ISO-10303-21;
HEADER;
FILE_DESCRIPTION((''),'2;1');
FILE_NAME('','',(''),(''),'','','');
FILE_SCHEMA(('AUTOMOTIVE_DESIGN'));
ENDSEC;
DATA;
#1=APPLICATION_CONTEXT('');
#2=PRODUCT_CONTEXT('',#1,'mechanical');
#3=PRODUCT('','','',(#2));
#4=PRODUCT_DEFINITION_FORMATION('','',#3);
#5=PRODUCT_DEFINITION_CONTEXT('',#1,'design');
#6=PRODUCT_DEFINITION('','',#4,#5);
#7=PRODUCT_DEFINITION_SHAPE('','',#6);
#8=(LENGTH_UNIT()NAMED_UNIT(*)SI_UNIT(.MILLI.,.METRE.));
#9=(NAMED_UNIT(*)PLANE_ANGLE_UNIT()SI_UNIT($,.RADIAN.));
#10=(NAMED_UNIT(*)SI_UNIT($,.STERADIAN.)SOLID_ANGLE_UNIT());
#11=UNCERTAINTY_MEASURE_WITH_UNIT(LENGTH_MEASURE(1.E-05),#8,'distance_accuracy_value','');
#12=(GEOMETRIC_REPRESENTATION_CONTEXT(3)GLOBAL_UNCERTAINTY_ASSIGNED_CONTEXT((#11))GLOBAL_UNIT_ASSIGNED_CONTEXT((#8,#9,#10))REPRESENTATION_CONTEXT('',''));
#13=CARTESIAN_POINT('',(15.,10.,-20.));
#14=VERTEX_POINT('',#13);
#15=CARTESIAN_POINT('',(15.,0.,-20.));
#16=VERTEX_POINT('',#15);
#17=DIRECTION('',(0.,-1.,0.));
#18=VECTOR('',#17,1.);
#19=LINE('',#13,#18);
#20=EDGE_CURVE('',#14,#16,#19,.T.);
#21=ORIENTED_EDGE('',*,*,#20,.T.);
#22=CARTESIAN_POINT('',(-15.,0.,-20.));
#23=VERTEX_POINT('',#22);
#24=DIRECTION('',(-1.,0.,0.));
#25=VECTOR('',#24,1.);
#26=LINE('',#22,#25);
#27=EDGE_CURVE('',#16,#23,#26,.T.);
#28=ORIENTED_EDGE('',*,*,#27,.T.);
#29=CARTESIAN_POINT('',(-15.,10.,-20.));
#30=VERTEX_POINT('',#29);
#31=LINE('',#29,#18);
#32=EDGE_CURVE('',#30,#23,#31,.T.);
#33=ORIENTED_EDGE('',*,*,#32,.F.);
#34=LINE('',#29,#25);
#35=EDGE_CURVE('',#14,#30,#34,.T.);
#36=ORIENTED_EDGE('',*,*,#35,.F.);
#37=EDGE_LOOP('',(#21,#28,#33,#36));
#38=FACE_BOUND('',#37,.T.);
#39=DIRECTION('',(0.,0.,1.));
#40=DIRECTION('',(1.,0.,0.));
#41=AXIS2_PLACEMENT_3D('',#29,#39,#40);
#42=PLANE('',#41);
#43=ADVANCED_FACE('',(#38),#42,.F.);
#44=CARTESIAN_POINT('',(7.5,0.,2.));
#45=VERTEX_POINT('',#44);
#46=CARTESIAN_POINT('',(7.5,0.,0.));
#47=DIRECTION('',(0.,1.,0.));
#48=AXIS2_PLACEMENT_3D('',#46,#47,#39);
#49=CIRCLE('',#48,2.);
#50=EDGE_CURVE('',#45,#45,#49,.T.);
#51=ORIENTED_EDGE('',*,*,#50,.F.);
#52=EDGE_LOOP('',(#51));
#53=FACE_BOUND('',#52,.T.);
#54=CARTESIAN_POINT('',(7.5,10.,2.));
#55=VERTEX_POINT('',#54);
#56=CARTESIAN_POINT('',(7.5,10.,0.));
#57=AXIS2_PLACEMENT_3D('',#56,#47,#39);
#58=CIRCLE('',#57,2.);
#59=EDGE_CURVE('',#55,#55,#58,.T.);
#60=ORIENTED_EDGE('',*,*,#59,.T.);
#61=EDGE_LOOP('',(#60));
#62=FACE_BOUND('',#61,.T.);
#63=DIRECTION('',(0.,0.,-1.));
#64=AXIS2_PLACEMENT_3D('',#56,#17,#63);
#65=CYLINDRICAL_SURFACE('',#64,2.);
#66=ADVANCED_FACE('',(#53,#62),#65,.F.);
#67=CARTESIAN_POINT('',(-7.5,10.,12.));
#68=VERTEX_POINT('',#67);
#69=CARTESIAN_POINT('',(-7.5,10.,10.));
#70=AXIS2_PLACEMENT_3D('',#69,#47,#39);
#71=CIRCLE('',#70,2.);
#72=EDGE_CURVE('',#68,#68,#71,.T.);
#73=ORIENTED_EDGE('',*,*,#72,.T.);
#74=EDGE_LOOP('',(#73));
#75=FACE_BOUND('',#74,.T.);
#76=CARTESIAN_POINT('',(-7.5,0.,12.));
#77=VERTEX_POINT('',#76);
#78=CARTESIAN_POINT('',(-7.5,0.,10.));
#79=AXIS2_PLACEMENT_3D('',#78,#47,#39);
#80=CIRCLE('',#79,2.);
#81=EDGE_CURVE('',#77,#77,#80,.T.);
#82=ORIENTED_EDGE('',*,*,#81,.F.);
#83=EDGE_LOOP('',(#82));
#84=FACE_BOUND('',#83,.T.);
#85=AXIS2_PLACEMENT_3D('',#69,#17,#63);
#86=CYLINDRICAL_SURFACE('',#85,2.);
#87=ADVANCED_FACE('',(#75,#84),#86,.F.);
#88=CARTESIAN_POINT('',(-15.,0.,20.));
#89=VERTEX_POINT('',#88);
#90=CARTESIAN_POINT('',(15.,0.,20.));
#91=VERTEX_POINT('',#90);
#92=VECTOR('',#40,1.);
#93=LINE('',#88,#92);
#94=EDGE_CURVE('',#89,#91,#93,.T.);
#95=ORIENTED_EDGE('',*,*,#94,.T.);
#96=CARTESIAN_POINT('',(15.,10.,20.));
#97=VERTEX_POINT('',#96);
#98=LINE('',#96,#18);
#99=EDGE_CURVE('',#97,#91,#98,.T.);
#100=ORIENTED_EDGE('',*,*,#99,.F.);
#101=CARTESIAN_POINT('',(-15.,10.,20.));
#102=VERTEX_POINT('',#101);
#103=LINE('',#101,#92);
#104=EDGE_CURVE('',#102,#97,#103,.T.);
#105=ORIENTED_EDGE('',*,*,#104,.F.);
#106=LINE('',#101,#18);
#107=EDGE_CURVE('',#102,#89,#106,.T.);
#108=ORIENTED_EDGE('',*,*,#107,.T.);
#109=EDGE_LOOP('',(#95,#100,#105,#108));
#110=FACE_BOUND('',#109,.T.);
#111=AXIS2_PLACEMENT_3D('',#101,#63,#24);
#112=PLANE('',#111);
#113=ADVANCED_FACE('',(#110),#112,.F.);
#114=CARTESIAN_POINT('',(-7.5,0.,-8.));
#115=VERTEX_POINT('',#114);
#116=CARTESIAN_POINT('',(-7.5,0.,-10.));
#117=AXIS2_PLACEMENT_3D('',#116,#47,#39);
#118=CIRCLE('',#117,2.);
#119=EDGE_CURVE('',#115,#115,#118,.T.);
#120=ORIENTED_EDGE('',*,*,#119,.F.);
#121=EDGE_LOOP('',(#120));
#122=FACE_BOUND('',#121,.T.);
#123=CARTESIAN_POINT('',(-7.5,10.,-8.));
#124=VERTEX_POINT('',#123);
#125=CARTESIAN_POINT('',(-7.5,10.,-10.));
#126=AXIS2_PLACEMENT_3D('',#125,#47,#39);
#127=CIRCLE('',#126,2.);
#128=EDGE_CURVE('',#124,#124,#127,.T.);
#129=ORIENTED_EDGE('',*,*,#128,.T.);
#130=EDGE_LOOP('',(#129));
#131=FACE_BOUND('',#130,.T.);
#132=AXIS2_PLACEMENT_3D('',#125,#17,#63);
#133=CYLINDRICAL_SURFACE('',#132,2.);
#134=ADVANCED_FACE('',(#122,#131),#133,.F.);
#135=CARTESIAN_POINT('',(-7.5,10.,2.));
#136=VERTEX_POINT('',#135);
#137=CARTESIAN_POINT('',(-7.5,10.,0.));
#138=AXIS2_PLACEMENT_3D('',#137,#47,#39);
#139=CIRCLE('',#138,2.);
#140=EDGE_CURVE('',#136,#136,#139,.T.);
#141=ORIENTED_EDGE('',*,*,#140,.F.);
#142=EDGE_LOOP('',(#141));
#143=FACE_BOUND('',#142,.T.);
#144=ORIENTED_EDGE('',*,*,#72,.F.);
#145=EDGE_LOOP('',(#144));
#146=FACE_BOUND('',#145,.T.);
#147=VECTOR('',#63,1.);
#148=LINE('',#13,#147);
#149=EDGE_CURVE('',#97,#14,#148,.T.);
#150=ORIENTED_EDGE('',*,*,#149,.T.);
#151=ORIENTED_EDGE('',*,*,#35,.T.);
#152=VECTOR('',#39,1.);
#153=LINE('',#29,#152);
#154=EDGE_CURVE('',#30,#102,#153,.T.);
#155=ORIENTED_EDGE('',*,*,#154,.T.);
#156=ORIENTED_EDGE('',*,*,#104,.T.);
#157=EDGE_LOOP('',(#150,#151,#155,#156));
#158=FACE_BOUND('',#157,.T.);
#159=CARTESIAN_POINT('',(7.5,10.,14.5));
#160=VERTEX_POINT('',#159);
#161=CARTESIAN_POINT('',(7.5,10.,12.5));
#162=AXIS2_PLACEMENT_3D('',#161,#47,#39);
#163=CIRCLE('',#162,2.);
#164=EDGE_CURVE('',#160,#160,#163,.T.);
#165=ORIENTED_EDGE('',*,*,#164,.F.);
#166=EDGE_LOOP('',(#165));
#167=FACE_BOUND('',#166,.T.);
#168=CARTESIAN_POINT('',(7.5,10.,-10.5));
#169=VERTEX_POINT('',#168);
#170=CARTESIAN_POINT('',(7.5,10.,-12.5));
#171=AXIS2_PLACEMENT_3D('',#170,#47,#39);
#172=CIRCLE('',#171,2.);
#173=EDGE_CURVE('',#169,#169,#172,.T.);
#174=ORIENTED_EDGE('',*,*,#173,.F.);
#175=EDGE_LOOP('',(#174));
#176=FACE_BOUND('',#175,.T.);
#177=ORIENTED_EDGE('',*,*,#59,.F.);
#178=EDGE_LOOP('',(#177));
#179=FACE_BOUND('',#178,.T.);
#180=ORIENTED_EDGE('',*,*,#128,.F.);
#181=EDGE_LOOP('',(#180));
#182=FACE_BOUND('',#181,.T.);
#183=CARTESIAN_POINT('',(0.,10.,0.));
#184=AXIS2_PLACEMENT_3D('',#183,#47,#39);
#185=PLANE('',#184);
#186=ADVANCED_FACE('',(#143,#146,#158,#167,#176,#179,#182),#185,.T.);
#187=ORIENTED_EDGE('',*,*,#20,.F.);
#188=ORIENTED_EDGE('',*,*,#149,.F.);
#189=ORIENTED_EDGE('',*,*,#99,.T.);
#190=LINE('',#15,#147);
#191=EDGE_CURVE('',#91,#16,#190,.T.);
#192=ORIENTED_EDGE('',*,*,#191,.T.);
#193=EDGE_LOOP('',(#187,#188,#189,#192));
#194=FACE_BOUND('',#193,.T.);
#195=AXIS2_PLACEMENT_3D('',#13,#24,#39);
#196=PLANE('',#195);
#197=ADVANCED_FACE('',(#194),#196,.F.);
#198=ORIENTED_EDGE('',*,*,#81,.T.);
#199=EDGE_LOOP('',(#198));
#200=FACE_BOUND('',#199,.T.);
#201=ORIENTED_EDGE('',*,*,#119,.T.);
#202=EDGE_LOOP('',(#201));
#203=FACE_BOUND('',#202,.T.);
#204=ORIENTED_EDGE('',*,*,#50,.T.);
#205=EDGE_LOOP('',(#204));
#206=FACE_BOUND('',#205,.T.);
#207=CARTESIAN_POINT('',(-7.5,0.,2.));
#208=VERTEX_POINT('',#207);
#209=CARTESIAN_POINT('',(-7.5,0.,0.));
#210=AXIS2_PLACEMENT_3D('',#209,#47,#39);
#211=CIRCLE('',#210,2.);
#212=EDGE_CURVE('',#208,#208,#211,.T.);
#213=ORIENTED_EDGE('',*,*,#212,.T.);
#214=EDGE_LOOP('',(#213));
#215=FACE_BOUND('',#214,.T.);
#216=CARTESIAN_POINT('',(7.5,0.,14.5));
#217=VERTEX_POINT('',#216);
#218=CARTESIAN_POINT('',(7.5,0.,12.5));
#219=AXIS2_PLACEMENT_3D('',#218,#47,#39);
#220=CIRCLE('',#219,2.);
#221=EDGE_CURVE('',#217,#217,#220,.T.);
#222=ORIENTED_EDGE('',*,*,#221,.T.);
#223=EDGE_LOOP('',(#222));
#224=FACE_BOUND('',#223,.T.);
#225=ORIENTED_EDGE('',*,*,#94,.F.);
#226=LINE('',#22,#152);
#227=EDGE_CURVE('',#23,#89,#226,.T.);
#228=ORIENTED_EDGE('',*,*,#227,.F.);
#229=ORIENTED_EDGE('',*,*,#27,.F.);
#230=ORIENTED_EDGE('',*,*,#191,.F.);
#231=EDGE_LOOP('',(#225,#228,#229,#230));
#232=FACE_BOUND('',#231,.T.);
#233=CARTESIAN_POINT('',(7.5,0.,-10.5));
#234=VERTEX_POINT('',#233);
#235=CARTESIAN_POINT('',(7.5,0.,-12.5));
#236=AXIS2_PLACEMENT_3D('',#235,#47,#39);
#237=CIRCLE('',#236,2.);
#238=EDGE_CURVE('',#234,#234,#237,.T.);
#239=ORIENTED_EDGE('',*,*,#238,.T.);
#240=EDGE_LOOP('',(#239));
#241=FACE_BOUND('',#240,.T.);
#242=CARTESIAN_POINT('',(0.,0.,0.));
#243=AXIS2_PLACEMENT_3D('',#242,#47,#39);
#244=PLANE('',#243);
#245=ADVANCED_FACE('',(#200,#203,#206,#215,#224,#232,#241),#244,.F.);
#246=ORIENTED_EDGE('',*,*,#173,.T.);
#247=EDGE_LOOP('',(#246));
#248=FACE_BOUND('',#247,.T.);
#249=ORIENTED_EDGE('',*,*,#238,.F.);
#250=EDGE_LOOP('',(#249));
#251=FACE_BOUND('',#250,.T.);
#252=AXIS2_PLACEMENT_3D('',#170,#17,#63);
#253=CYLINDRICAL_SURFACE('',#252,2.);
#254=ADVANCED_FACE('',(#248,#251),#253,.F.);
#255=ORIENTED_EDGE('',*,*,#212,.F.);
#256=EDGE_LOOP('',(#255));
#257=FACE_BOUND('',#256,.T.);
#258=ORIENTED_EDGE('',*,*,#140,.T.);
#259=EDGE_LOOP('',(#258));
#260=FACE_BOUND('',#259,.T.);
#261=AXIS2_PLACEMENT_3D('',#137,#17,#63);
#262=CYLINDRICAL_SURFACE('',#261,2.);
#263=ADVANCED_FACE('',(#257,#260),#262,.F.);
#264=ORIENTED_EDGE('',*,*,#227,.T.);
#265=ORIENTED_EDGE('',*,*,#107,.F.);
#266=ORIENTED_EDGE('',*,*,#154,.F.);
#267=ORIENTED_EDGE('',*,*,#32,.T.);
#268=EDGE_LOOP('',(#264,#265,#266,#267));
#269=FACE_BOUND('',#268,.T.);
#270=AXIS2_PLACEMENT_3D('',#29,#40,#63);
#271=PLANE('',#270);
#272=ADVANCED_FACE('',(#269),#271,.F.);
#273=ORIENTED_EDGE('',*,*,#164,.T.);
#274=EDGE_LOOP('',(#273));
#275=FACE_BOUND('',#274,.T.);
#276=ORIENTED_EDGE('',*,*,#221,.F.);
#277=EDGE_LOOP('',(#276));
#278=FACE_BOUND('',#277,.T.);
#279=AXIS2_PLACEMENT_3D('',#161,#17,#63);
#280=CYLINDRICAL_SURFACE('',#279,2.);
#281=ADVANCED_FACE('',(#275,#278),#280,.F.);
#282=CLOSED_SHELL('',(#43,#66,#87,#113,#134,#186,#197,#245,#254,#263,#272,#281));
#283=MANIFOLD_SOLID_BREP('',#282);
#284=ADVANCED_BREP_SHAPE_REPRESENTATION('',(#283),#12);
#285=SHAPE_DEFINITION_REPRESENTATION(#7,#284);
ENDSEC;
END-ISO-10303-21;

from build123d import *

# Parameters (mm, degrees)
SKETCH1_W           = 30
SKETCH1_H           = 40
SKETCH1_R           = 2
BOSS_EXTRUDE1_DEPTH = 10


with BuildPart() as part:
    # Sketch1 → Boss-Extrude1 (new body)
    with BuildSketch(Plane(origin=(0, 0, 0), x_dir=(1, 0, 0), z_dir=(0, 1, 0))):
        Rectangle(SKETCH1_W, SKETCH1_H)
        with Locations(Location((7.5, 12.5, 0), (0, 0, 270))):
            Circle(SKETCH1_R, mode=Mode.SUBTRACT)
        with Locations(Location((7.5, -12.5, 0), (0, 0, 270))):
            Circle(SKETCH1_R, mode=Mode.SUBTRACT)
        with Locations(Location((-7.5, -10, 0), (0, 0, 270))):
            Circle(SKETCH1_R, mode=Mode.SUBTRACT)
        with Locations(Location((-7.5, 10, 0), (0, 0, 270))):
            Circle(SKETCH1_R, mode=Mode.SUBTRACT)
        with Locations(Location((-7.5, 0, 0), (0, 0, 270))):
            Circle(SKETCH1_R, mode=Mode.SUBTRACT)
        with Locations(Location((7.5, 0, 0), (0, 0, 270))):
            Circle(SKETCH1_R, mode=Mode.SUBTRACT)
    extrude(amount=BOSS_EXTRUDE1_DEPTH)


solid = part.part
